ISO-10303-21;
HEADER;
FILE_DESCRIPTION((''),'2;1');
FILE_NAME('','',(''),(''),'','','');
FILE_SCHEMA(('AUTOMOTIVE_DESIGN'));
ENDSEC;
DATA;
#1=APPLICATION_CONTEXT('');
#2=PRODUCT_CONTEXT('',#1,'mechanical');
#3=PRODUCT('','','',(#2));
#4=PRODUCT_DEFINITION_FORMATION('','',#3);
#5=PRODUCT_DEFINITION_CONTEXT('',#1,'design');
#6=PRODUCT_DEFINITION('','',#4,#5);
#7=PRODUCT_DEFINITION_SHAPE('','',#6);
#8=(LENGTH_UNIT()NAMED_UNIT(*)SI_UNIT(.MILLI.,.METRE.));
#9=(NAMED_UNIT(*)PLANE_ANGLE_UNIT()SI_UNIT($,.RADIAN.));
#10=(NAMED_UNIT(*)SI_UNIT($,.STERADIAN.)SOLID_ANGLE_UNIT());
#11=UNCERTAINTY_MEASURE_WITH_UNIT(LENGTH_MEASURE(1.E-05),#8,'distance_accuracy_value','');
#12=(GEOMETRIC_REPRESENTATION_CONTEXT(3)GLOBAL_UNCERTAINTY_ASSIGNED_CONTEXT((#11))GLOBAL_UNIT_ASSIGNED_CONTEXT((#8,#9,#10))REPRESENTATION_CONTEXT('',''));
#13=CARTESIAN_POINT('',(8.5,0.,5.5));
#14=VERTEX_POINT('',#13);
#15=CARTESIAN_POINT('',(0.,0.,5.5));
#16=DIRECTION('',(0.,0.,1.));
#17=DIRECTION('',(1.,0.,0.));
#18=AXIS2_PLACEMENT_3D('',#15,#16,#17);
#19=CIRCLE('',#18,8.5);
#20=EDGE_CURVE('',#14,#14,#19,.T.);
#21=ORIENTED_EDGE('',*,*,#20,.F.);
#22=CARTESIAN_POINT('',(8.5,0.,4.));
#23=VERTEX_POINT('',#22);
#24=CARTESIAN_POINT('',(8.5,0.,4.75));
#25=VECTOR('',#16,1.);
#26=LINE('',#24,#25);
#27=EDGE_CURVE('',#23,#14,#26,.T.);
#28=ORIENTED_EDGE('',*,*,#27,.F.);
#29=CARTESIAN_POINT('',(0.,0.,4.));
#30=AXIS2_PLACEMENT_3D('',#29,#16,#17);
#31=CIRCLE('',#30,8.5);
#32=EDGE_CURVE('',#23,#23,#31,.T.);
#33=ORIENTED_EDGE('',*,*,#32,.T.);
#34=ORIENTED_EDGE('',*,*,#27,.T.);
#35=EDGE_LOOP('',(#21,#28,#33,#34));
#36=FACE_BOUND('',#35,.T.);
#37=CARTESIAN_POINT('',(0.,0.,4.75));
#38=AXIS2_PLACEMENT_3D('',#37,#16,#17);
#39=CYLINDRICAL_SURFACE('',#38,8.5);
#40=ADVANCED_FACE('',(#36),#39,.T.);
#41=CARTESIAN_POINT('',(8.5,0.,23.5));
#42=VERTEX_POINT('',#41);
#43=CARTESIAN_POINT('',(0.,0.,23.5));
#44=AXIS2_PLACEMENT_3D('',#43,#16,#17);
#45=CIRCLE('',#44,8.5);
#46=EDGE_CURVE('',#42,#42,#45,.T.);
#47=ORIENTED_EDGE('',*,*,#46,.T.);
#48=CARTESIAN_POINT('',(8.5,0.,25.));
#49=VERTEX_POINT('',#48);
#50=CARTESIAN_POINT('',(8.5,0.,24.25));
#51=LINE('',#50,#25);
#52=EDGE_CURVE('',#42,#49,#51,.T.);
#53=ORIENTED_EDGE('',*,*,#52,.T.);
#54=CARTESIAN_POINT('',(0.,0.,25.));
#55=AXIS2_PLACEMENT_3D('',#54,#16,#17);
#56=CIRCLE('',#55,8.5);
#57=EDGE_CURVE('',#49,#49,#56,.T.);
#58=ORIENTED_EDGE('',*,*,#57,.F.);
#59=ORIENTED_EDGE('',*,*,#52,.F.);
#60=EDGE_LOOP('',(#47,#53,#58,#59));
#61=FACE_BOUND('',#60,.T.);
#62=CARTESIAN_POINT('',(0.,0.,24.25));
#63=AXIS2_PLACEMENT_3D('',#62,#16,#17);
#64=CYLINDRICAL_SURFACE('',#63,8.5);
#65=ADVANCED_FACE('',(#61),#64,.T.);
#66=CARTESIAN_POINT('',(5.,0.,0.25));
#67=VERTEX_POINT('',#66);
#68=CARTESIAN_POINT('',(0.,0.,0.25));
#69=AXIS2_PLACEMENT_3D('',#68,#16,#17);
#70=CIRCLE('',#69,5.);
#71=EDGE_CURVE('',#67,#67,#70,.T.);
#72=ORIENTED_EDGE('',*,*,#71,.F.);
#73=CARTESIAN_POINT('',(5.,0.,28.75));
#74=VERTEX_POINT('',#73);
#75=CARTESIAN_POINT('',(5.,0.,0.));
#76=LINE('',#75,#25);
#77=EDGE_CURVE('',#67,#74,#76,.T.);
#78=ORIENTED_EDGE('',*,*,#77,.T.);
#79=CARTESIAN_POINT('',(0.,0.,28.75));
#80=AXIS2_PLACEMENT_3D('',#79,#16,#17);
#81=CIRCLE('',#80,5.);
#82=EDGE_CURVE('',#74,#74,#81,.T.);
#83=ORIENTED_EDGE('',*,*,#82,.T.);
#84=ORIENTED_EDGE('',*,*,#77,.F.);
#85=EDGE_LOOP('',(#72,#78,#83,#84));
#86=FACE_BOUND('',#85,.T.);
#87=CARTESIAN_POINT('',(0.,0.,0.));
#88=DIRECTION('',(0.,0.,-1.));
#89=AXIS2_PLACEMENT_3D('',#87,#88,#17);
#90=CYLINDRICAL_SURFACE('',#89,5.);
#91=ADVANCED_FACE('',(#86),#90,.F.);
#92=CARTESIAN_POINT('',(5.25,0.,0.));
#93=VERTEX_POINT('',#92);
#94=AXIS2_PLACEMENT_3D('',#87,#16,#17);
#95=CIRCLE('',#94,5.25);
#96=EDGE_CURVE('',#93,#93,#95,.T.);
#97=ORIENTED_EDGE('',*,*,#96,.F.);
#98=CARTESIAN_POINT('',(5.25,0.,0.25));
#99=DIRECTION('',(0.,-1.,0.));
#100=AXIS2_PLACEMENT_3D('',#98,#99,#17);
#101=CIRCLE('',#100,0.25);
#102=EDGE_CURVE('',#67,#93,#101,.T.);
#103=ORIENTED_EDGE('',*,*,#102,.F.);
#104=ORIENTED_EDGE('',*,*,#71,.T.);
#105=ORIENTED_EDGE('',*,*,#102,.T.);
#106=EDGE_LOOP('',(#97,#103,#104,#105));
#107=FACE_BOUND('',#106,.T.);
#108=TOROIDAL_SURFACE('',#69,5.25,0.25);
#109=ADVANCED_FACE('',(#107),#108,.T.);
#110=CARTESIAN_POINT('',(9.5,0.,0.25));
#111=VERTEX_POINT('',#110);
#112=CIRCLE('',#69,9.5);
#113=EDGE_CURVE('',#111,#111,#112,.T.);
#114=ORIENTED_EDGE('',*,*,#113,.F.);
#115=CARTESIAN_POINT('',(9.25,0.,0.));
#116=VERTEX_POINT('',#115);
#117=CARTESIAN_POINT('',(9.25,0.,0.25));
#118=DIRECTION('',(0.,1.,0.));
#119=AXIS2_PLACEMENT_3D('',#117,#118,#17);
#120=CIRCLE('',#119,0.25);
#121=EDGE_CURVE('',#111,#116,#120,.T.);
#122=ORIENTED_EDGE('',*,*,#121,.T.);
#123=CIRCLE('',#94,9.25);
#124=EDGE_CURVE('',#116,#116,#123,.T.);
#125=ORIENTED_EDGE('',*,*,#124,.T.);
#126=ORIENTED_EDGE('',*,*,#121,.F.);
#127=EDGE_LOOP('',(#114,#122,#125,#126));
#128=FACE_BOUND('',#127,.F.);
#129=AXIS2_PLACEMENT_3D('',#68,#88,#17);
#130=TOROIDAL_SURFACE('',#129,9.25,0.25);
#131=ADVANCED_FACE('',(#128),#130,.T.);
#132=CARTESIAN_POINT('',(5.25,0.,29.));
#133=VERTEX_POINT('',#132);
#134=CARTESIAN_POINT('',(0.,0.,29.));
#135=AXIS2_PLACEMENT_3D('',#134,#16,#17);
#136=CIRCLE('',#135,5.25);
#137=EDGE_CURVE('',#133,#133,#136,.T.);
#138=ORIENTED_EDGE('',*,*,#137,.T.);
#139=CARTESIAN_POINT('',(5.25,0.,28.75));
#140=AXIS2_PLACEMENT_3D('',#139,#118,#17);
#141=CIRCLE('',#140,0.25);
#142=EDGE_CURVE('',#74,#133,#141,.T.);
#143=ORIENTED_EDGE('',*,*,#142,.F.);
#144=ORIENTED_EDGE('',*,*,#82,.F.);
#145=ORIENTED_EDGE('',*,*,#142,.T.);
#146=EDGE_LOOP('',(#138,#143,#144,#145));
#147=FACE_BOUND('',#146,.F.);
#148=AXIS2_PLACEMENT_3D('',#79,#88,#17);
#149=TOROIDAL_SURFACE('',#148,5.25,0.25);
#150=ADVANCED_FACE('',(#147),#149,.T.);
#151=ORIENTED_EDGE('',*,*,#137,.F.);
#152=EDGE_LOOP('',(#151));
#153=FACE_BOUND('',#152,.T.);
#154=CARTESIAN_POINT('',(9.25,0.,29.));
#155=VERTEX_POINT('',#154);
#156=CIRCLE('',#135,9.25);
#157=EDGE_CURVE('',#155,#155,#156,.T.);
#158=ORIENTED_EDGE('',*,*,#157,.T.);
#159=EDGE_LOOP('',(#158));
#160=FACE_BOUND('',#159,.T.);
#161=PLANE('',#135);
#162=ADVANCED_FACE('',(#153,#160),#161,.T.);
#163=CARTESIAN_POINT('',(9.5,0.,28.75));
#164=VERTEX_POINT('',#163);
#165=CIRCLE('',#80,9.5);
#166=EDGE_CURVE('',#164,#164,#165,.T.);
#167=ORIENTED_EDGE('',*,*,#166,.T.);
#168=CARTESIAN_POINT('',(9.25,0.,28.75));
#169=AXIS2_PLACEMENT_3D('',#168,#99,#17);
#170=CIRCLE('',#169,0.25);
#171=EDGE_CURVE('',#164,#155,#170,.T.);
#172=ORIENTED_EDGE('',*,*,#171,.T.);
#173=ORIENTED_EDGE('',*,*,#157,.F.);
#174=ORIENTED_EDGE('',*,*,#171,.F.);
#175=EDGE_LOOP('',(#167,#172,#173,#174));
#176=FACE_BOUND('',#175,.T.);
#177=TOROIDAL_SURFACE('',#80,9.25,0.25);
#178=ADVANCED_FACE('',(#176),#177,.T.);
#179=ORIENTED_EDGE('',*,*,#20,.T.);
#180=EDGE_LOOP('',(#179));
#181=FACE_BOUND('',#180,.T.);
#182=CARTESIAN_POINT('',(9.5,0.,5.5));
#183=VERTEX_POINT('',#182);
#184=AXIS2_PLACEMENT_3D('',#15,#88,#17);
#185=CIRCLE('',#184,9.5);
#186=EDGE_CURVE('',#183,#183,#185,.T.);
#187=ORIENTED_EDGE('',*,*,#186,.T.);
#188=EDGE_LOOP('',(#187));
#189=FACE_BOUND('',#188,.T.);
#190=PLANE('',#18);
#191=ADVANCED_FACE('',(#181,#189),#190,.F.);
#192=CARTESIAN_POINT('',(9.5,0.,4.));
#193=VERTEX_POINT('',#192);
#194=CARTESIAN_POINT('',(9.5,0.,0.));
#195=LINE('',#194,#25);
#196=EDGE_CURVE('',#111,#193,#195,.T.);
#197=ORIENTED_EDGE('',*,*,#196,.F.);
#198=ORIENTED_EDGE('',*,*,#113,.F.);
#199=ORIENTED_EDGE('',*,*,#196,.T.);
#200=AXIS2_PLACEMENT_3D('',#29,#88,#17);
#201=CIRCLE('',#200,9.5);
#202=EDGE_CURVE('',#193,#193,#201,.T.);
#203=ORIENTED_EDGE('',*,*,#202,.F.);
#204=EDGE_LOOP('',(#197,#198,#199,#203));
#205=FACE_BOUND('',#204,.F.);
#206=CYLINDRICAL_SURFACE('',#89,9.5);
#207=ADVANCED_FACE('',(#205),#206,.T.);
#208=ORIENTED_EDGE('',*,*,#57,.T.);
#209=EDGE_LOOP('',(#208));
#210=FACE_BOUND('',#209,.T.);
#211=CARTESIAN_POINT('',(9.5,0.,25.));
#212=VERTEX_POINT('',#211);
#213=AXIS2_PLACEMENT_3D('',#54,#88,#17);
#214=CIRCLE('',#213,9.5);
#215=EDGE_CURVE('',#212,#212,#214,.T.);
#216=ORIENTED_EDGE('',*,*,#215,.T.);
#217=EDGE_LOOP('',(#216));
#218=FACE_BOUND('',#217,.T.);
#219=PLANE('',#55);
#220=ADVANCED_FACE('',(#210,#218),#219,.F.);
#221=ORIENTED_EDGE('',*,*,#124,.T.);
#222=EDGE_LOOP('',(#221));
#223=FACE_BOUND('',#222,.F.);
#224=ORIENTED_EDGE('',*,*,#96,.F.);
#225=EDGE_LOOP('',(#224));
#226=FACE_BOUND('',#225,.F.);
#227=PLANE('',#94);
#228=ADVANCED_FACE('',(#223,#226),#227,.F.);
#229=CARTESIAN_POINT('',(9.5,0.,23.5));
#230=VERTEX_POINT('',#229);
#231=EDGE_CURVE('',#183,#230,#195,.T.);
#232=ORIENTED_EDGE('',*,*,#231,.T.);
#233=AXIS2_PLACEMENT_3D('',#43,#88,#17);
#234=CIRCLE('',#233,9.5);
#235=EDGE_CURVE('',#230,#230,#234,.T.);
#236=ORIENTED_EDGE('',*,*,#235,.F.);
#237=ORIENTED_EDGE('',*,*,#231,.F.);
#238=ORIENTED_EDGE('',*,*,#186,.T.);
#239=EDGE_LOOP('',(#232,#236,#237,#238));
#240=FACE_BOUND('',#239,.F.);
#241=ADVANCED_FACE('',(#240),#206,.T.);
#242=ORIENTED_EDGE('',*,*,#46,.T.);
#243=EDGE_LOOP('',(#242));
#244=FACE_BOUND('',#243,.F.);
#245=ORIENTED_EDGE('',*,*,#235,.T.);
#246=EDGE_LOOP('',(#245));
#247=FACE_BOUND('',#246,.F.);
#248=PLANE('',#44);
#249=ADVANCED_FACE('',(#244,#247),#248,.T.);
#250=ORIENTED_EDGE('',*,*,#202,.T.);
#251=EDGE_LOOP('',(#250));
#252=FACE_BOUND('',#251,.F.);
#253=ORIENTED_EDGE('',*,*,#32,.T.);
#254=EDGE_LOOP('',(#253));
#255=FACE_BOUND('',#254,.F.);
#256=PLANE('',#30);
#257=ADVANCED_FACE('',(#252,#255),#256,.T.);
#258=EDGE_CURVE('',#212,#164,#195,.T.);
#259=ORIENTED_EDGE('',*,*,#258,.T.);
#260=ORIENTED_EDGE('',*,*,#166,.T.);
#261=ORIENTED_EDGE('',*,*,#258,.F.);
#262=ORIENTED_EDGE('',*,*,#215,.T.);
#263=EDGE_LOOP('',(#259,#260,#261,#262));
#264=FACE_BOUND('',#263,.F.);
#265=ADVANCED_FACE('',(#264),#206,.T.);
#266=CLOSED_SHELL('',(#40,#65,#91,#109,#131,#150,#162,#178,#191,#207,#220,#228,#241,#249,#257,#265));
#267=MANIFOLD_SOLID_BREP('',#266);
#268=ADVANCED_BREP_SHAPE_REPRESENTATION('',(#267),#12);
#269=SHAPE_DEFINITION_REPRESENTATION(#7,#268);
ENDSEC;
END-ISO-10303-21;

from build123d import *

# Parameters (mm, degrees)
F0_R     = 9.5
F0_R_2   = 5
F1_DEPTH = 29
F2_R     = 0.25
F3_W     = 3
F3_H     = 1.5


with BuildPart() as f1:
    # F0 (on Top) → F1 (new body)
    with BuildSketch(Plane.XY):
        Circle(F0_R)
        Circle(F0_R_2, mode=Mode.SUBTRACT)
    extrude(amount=F1_DEPTH)

    # F2
    f2_edges = [f1.edges().sort_by_distance(p)[0] for p in [
        (-9.5, 0, 29),
        (-5, 0, 29),
        (-9.5, 0, 0),
        (-5, 0, 0),
    ]]
    fillet(f2_edges, radius=F2_R)

    # F3 (on Front) → F4 (revolve, cut)
    with BuildSketch(Plane.XZ):
        with Locations((10, 24.25)):
            Rectangle(F3_W, F3_H)
        with Locations((10, 4.75)):
            Rectangle(F3_W, F3_H)
    revolve(axis=Axis((0, 0, 23.490791), (0, 0, 1)), mode=Mode.SUBTRACT)


solid = f1.part
